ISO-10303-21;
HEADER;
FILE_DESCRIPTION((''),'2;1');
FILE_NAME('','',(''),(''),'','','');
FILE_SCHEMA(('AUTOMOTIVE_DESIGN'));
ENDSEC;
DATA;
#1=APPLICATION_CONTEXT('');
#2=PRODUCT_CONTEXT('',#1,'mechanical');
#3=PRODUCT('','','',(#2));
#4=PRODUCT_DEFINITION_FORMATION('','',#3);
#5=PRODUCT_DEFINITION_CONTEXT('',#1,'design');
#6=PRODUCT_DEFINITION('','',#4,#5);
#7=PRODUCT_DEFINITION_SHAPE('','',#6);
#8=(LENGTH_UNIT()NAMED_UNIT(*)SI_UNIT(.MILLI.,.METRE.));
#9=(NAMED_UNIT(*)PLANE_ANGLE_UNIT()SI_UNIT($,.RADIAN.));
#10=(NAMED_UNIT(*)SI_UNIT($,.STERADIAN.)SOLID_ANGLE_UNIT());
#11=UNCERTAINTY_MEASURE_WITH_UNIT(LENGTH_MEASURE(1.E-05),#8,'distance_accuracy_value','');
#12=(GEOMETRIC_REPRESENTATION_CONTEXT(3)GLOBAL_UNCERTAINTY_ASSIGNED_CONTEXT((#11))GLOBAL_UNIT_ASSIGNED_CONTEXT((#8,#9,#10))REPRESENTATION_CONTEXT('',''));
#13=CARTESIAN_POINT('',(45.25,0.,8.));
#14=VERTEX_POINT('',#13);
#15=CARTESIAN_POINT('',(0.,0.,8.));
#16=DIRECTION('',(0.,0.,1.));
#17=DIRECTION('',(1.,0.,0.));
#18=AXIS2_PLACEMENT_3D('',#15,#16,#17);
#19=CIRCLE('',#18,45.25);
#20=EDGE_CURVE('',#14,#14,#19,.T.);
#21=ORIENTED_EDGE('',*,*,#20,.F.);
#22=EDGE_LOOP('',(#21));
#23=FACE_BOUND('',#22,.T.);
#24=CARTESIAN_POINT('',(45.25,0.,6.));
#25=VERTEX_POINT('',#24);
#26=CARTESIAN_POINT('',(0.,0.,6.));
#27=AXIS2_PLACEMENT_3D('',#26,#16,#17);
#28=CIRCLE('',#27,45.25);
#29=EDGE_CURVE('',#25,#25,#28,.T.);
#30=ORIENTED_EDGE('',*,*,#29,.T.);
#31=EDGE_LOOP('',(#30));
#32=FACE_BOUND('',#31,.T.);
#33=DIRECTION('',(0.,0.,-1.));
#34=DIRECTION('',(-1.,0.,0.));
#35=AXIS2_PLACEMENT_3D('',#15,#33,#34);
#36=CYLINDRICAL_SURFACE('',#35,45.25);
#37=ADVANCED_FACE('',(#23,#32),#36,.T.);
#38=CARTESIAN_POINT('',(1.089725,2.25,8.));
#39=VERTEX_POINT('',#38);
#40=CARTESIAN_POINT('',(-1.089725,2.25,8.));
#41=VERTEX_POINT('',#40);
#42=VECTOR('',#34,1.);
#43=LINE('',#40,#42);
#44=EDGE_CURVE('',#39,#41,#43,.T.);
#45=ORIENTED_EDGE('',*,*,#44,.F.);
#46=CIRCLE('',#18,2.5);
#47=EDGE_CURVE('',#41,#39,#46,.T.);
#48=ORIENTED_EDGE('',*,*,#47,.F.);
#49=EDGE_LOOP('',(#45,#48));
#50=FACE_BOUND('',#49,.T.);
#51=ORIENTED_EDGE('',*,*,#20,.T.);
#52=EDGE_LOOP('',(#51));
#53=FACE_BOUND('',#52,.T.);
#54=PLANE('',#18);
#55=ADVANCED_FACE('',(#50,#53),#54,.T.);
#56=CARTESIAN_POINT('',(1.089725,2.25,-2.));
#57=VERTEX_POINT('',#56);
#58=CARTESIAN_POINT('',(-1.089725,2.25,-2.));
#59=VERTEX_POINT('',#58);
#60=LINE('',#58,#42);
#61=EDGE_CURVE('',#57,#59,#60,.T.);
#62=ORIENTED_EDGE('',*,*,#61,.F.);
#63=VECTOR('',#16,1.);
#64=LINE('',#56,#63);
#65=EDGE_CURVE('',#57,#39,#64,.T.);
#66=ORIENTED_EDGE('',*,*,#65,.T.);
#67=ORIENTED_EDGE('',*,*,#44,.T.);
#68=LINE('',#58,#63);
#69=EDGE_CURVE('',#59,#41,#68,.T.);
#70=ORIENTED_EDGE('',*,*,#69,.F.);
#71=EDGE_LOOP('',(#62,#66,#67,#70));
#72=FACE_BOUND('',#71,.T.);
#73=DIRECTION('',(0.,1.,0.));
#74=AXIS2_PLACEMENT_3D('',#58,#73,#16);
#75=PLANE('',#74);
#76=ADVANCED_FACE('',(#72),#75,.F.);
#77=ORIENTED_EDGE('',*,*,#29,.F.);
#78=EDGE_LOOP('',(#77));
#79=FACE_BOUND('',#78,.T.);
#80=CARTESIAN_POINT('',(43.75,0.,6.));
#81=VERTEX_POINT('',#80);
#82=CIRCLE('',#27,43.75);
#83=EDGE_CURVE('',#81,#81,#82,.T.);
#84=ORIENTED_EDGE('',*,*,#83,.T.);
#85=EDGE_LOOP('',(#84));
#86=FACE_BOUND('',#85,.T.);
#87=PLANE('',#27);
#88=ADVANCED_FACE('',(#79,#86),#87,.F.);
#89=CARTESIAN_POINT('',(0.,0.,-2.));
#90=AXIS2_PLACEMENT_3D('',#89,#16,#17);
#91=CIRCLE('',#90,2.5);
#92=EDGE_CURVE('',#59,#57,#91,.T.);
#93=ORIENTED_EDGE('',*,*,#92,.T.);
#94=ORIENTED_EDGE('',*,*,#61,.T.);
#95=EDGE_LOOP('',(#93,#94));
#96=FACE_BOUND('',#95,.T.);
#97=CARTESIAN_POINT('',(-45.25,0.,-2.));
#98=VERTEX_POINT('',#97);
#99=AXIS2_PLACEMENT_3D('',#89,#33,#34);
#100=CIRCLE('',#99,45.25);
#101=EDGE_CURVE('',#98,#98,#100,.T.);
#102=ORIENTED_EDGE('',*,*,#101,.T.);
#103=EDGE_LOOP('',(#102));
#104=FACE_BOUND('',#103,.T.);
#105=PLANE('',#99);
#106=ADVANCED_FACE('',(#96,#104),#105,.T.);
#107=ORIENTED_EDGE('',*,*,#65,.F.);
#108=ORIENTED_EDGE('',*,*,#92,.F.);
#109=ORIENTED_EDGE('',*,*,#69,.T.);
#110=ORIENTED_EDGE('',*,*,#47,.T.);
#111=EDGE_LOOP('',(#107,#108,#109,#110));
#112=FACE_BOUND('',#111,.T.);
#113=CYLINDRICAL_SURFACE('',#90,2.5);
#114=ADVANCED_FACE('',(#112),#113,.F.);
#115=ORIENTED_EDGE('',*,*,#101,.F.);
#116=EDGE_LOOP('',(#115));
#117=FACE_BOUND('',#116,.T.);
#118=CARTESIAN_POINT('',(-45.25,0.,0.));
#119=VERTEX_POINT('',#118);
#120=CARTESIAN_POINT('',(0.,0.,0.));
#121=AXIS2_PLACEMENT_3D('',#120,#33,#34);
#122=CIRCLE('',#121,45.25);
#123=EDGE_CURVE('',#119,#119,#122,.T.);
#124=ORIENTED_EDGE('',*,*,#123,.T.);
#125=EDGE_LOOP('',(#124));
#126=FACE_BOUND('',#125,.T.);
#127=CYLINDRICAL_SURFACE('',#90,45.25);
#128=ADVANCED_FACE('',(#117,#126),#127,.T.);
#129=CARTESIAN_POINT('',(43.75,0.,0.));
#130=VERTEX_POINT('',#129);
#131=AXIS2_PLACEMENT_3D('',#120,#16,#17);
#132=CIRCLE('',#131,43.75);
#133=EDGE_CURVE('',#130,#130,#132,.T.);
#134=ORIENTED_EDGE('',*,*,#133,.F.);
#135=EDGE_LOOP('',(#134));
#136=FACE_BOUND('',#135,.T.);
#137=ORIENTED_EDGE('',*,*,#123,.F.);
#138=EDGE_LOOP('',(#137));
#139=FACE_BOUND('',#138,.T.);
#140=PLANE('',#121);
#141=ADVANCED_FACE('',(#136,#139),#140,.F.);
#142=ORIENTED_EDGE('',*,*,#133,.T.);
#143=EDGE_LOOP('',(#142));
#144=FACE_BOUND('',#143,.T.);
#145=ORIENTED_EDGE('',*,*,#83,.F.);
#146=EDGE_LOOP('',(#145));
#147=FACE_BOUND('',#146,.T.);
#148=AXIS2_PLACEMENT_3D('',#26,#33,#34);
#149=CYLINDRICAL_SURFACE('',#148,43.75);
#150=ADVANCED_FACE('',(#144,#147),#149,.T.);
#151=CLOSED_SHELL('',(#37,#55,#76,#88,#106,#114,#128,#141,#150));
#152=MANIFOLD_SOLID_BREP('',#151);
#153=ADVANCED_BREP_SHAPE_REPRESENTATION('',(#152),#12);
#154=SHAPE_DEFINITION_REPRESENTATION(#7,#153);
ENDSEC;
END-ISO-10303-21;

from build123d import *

# Parameters (mm, degrees)
SKIZZE2_R         = 43.75
ZAHNFL_CHE_DEPTH  = 6
SKIZZE4_R         = 45.25
SEITENTEIL1_DEPTH = 2
SEITENTEIL2_START = 2
SKIZZE5_R         = 45.25
SEITENTEIL2_DEPTH = 2
AUSSPARUNG_DEPTH  = 65.769784622


with BuildPart() as part:
    # Skizze2 → Zahnfläche (new body)
    with BuildSketch(Plane.XY):
        Circle(SKIZZE2_R)
    extrude(amount=ZAHNFL_CHE_DEPTH)

    # Skizze4 → Seitenteil1 (add)
    with BuildSketch(Plane(origin=(0, 0, 0), x_dir=(-1, 0, 0), z_dir=(0, 0, -1))):
        Circle(SKIZZE4_R)
    extrude(amount=SEITENTEIL1_DEPTH)

    # Skizze5 → Seitenteil2 (add)
    with BuildSketch(Plane.XY.offset(6).offset(SEITENTEIL2_START)):
        with Locations(Location((0, 0, 0), (0, 0, 180))):
            Circle(SKIZZE5_R)
    extrude(amount=-SEITENTEIL2_DEPTH)

    # Skizze6 → Aussparung (cut, through all)
    with BuildSketch(Plane.XY.offset(8)):
        with BuildLine():
            Line((-1.089724736, 2.25), (1.089724736, 2.25))
            ThreePointArc((1.089724736, 2.25), (0, -2.5), (-1.089724736, 2.25))
        make_face()
    extrude(amount=-AUSSPARUNG_DEPTH, mode=Mode.SUBTRACT)


solid = part.part
